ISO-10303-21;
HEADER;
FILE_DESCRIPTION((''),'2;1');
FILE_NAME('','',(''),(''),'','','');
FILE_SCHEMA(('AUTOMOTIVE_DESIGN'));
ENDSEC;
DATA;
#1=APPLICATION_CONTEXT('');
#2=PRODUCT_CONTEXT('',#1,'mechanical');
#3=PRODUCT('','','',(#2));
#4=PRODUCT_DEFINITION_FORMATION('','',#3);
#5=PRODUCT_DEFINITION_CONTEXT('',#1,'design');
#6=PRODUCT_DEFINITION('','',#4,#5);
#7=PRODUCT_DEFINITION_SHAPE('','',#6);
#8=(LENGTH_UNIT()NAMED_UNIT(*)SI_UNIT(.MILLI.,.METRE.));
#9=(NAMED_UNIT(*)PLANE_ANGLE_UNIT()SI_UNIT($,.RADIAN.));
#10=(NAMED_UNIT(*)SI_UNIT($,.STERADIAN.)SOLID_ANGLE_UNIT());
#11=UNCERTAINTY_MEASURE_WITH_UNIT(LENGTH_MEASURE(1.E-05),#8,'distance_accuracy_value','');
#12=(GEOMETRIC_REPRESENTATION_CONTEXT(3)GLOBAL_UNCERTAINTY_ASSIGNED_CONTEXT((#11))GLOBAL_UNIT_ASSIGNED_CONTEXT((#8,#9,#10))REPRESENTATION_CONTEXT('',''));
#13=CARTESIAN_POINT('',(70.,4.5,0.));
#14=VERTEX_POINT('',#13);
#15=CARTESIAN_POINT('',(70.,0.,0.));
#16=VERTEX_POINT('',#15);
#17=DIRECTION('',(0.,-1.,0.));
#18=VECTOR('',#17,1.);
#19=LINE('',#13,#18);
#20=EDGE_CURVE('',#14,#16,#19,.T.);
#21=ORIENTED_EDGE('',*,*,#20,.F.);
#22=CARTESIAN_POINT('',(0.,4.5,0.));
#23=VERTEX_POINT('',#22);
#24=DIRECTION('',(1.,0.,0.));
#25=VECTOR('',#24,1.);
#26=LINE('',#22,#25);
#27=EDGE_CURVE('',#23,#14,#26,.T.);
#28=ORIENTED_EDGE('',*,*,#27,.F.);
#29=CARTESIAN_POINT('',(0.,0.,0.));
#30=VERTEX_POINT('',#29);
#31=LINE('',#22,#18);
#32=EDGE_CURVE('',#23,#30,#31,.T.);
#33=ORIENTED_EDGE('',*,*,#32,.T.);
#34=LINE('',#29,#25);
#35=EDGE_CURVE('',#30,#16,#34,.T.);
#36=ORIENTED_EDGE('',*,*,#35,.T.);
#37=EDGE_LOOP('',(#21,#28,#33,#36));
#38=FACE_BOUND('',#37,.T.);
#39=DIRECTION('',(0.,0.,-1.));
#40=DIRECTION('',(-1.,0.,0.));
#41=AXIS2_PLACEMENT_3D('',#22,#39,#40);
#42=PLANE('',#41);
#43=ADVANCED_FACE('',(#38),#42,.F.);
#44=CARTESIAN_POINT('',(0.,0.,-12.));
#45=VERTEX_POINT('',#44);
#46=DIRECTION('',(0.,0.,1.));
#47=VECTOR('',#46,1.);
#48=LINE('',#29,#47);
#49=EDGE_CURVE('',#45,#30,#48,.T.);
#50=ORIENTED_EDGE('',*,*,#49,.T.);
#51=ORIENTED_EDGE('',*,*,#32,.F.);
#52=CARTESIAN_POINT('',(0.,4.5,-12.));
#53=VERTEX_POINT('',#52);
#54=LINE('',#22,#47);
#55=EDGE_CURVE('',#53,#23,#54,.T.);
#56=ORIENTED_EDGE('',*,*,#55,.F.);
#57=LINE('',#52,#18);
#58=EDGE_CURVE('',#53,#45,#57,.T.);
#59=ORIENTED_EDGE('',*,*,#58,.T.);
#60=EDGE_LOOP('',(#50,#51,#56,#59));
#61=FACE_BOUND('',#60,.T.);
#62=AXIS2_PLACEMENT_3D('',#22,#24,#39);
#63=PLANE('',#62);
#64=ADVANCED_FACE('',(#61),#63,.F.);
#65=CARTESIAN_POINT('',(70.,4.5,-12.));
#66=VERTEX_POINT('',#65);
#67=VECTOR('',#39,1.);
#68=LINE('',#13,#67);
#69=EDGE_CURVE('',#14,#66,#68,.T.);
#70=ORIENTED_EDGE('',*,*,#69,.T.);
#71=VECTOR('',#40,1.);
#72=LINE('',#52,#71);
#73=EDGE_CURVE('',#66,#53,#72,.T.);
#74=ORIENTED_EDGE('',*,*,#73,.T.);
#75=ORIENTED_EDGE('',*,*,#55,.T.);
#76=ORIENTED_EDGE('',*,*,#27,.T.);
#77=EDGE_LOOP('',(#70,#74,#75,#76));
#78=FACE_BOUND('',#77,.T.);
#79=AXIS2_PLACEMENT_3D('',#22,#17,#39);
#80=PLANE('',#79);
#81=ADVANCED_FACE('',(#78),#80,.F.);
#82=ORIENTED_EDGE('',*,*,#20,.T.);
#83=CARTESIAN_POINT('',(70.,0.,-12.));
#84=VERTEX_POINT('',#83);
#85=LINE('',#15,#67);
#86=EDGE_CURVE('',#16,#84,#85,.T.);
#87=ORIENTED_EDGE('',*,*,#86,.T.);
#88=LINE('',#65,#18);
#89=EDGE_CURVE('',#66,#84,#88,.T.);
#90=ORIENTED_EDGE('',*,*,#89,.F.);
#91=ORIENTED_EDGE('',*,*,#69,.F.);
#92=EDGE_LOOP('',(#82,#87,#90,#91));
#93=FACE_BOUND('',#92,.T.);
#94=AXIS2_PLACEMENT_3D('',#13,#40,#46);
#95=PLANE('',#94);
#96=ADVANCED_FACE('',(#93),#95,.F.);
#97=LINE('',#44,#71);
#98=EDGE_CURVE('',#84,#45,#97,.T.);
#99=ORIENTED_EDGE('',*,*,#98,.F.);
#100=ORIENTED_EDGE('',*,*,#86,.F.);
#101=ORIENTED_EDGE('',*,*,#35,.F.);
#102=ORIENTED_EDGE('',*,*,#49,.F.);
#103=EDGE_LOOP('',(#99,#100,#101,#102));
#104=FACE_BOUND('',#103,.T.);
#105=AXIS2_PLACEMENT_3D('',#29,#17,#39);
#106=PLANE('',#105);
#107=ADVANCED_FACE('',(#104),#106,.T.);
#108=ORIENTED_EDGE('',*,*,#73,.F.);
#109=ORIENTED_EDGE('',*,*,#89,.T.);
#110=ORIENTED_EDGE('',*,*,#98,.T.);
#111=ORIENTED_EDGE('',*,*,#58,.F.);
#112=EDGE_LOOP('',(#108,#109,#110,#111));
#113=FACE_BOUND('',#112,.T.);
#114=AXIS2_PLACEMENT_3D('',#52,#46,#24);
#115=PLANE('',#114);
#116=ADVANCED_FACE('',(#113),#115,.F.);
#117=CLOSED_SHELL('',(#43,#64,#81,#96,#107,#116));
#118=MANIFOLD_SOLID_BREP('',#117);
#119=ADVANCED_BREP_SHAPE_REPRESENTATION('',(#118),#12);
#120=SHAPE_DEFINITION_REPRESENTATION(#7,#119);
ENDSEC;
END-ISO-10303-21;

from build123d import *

# Parameters (mm, degrees)
SKETCH_1_W      = 70
SKETCH_1_H      = 12
EXTRUDE_1_DEPTH = 4.5


with BuildPart() as part:
    # 草图1 → 凸台-拉伸1 (new body)
    with BuildSketch(Plane(origin=(0, 0, 0), x_dir=(1, 0, 0), z_dir=(0, 1, 0))):
        with Locations((35, 6)):
            Rectangle(SKETCH_1_W, SKETCH_1_H)
    extrude(amount=EXTRUDE_1_DEPTH)


solid = part.part
